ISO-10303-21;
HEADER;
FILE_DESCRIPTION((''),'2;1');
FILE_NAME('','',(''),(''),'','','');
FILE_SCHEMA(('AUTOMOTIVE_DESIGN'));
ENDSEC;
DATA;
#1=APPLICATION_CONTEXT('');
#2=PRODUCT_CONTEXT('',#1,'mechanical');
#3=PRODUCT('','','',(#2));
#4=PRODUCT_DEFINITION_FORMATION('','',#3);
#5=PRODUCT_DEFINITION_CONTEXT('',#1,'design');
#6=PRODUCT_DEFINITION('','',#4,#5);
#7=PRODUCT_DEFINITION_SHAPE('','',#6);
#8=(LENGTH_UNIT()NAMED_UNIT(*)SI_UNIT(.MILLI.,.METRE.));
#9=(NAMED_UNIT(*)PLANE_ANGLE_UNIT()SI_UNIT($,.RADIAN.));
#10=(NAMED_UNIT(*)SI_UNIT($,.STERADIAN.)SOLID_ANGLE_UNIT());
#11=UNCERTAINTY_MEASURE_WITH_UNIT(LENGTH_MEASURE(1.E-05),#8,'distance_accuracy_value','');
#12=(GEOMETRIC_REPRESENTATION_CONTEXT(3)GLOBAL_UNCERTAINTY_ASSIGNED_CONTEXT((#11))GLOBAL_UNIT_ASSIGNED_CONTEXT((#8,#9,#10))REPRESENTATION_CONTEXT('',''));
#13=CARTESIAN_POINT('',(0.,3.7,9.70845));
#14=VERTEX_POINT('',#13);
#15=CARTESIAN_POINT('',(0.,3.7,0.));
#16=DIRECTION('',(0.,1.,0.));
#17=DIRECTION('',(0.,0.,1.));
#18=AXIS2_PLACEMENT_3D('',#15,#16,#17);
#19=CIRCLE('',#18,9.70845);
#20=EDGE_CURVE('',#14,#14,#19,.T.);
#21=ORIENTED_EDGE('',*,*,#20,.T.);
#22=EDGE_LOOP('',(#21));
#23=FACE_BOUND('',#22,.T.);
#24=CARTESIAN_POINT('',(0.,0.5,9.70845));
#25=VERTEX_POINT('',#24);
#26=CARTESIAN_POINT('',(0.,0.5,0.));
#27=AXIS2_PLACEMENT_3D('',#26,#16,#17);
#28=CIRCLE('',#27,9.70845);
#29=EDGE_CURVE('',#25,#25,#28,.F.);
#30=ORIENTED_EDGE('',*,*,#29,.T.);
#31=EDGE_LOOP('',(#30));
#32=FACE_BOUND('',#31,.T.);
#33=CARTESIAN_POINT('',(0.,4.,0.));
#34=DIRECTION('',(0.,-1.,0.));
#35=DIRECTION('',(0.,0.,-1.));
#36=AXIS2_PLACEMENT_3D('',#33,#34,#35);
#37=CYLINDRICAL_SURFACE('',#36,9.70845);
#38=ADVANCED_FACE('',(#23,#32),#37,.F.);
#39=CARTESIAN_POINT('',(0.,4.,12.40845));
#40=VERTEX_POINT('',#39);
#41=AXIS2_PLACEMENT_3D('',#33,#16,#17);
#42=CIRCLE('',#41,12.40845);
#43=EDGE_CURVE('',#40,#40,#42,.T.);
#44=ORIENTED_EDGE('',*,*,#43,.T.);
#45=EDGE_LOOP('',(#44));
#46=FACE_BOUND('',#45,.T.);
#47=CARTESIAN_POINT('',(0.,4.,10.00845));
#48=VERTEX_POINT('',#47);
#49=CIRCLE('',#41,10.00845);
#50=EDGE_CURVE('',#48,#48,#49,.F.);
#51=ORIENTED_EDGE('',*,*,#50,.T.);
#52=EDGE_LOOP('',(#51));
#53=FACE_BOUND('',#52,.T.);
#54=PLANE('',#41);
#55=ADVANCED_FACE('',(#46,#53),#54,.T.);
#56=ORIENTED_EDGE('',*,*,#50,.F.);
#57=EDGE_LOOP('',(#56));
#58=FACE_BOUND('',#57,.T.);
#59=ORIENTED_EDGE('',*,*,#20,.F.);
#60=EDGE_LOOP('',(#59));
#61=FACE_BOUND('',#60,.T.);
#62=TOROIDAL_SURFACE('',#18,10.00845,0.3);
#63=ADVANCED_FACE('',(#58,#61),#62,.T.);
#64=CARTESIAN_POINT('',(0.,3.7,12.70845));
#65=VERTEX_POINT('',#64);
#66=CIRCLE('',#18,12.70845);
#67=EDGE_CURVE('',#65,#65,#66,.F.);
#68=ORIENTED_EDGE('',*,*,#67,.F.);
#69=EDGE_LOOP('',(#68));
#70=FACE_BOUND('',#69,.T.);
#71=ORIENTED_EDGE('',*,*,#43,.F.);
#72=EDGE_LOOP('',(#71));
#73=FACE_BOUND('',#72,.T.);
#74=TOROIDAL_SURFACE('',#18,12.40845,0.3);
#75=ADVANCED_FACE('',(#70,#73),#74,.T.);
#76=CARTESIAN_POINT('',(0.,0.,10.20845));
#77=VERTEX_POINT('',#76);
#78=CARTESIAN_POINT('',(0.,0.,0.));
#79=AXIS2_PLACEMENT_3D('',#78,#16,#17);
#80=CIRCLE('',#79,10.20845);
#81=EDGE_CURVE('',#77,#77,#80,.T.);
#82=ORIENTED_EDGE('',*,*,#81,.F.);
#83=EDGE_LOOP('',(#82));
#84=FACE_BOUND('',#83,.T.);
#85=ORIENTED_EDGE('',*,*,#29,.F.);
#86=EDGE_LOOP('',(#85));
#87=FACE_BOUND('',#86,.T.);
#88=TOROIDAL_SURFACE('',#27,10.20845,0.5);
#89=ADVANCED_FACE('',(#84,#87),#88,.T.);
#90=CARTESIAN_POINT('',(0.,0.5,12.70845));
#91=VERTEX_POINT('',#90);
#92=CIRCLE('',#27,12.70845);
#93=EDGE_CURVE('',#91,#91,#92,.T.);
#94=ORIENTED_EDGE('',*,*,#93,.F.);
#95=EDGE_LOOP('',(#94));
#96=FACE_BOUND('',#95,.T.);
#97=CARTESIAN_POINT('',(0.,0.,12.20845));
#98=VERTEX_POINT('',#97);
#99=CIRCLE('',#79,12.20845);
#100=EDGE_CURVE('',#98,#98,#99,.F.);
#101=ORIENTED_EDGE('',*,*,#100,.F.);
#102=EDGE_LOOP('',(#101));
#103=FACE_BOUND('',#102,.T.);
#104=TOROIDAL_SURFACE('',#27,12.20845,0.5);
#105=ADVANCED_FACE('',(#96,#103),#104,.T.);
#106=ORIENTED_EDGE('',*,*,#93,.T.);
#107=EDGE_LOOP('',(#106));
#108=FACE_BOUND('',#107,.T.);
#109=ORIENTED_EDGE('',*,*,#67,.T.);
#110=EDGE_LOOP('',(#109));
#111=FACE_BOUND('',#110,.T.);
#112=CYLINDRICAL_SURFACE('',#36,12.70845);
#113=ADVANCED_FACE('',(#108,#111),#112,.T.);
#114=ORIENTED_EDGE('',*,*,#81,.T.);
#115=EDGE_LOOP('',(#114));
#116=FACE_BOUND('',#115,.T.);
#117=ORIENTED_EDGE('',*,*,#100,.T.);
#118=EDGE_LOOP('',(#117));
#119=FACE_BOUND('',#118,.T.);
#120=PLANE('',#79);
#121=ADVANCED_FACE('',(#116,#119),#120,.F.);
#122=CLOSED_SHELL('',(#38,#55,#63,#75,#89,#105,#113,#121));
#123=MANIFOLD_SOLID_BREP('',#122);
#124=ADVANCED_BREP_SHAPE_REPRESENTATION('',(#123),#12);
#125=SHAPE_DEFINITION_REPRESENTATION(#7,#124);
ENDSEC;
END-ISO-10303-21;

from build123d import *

# Parameters (mm, degrees)
SKETCH1_R           = 12.70845
SKETCH1_R_2         = 9.70845
BOSS_EXTRUDE1_DEPTH = 4
FILLET1_R           = 0.3
FILLET5_R           = 0.3
FILLET6_R           = 0.5
FILLET7_R           = 0.5


with BuildPart() as part:
    # Sketch1 → Boss-Extrude1 (new body)
    with BuildSketch(Plane(origin=(0, 0, 0), x_dir=(1, 0, 0), z_dir=(0, 1, 0))):
        with Locations(Location((0, 0, 0), (0, 0, 270))):
            Circle(SKETCH1_R)
        with Locations(Location((0, 0, 0), (0, 0, 270))):
            Circle(SKETCH1_R_2, mode=Mode.SUBTRACT)
    extrude(amount=BOSS_EXTRUDE1_DEPTH)

    # Fillet1
    fillet1_edges = [part.edges().sort_by_distance(p)[0] for p in [
        (0, 4, -12.70845),
    ]]
    fillet(fillet1_edges, radius=FILLET1_R)

    # Fillet5
    fillet5_edges = [part.edges().sort_by_distance(p)[0] for p in [
        (0, 4, -9.70845),
    ]]
    fillet(fillet5_edges, radius=FILLET5_R)

    # Fillet6
    fillet6_edges = [part.edges().sort_by_distance(p)[0] for p in [
        (0, 0, -12.70845),
    ]]
    fillet(fillet6_edges, radius=FILLET6_R)

    # Fillet7
    fillet7_edges = [part.edges().sort_by_distance(p)[0] for p in [
        (0, 0, -9.70845),
    ]]
    fillet(fillet7_edges, radius=FILLET7_R)


solid = part.part
